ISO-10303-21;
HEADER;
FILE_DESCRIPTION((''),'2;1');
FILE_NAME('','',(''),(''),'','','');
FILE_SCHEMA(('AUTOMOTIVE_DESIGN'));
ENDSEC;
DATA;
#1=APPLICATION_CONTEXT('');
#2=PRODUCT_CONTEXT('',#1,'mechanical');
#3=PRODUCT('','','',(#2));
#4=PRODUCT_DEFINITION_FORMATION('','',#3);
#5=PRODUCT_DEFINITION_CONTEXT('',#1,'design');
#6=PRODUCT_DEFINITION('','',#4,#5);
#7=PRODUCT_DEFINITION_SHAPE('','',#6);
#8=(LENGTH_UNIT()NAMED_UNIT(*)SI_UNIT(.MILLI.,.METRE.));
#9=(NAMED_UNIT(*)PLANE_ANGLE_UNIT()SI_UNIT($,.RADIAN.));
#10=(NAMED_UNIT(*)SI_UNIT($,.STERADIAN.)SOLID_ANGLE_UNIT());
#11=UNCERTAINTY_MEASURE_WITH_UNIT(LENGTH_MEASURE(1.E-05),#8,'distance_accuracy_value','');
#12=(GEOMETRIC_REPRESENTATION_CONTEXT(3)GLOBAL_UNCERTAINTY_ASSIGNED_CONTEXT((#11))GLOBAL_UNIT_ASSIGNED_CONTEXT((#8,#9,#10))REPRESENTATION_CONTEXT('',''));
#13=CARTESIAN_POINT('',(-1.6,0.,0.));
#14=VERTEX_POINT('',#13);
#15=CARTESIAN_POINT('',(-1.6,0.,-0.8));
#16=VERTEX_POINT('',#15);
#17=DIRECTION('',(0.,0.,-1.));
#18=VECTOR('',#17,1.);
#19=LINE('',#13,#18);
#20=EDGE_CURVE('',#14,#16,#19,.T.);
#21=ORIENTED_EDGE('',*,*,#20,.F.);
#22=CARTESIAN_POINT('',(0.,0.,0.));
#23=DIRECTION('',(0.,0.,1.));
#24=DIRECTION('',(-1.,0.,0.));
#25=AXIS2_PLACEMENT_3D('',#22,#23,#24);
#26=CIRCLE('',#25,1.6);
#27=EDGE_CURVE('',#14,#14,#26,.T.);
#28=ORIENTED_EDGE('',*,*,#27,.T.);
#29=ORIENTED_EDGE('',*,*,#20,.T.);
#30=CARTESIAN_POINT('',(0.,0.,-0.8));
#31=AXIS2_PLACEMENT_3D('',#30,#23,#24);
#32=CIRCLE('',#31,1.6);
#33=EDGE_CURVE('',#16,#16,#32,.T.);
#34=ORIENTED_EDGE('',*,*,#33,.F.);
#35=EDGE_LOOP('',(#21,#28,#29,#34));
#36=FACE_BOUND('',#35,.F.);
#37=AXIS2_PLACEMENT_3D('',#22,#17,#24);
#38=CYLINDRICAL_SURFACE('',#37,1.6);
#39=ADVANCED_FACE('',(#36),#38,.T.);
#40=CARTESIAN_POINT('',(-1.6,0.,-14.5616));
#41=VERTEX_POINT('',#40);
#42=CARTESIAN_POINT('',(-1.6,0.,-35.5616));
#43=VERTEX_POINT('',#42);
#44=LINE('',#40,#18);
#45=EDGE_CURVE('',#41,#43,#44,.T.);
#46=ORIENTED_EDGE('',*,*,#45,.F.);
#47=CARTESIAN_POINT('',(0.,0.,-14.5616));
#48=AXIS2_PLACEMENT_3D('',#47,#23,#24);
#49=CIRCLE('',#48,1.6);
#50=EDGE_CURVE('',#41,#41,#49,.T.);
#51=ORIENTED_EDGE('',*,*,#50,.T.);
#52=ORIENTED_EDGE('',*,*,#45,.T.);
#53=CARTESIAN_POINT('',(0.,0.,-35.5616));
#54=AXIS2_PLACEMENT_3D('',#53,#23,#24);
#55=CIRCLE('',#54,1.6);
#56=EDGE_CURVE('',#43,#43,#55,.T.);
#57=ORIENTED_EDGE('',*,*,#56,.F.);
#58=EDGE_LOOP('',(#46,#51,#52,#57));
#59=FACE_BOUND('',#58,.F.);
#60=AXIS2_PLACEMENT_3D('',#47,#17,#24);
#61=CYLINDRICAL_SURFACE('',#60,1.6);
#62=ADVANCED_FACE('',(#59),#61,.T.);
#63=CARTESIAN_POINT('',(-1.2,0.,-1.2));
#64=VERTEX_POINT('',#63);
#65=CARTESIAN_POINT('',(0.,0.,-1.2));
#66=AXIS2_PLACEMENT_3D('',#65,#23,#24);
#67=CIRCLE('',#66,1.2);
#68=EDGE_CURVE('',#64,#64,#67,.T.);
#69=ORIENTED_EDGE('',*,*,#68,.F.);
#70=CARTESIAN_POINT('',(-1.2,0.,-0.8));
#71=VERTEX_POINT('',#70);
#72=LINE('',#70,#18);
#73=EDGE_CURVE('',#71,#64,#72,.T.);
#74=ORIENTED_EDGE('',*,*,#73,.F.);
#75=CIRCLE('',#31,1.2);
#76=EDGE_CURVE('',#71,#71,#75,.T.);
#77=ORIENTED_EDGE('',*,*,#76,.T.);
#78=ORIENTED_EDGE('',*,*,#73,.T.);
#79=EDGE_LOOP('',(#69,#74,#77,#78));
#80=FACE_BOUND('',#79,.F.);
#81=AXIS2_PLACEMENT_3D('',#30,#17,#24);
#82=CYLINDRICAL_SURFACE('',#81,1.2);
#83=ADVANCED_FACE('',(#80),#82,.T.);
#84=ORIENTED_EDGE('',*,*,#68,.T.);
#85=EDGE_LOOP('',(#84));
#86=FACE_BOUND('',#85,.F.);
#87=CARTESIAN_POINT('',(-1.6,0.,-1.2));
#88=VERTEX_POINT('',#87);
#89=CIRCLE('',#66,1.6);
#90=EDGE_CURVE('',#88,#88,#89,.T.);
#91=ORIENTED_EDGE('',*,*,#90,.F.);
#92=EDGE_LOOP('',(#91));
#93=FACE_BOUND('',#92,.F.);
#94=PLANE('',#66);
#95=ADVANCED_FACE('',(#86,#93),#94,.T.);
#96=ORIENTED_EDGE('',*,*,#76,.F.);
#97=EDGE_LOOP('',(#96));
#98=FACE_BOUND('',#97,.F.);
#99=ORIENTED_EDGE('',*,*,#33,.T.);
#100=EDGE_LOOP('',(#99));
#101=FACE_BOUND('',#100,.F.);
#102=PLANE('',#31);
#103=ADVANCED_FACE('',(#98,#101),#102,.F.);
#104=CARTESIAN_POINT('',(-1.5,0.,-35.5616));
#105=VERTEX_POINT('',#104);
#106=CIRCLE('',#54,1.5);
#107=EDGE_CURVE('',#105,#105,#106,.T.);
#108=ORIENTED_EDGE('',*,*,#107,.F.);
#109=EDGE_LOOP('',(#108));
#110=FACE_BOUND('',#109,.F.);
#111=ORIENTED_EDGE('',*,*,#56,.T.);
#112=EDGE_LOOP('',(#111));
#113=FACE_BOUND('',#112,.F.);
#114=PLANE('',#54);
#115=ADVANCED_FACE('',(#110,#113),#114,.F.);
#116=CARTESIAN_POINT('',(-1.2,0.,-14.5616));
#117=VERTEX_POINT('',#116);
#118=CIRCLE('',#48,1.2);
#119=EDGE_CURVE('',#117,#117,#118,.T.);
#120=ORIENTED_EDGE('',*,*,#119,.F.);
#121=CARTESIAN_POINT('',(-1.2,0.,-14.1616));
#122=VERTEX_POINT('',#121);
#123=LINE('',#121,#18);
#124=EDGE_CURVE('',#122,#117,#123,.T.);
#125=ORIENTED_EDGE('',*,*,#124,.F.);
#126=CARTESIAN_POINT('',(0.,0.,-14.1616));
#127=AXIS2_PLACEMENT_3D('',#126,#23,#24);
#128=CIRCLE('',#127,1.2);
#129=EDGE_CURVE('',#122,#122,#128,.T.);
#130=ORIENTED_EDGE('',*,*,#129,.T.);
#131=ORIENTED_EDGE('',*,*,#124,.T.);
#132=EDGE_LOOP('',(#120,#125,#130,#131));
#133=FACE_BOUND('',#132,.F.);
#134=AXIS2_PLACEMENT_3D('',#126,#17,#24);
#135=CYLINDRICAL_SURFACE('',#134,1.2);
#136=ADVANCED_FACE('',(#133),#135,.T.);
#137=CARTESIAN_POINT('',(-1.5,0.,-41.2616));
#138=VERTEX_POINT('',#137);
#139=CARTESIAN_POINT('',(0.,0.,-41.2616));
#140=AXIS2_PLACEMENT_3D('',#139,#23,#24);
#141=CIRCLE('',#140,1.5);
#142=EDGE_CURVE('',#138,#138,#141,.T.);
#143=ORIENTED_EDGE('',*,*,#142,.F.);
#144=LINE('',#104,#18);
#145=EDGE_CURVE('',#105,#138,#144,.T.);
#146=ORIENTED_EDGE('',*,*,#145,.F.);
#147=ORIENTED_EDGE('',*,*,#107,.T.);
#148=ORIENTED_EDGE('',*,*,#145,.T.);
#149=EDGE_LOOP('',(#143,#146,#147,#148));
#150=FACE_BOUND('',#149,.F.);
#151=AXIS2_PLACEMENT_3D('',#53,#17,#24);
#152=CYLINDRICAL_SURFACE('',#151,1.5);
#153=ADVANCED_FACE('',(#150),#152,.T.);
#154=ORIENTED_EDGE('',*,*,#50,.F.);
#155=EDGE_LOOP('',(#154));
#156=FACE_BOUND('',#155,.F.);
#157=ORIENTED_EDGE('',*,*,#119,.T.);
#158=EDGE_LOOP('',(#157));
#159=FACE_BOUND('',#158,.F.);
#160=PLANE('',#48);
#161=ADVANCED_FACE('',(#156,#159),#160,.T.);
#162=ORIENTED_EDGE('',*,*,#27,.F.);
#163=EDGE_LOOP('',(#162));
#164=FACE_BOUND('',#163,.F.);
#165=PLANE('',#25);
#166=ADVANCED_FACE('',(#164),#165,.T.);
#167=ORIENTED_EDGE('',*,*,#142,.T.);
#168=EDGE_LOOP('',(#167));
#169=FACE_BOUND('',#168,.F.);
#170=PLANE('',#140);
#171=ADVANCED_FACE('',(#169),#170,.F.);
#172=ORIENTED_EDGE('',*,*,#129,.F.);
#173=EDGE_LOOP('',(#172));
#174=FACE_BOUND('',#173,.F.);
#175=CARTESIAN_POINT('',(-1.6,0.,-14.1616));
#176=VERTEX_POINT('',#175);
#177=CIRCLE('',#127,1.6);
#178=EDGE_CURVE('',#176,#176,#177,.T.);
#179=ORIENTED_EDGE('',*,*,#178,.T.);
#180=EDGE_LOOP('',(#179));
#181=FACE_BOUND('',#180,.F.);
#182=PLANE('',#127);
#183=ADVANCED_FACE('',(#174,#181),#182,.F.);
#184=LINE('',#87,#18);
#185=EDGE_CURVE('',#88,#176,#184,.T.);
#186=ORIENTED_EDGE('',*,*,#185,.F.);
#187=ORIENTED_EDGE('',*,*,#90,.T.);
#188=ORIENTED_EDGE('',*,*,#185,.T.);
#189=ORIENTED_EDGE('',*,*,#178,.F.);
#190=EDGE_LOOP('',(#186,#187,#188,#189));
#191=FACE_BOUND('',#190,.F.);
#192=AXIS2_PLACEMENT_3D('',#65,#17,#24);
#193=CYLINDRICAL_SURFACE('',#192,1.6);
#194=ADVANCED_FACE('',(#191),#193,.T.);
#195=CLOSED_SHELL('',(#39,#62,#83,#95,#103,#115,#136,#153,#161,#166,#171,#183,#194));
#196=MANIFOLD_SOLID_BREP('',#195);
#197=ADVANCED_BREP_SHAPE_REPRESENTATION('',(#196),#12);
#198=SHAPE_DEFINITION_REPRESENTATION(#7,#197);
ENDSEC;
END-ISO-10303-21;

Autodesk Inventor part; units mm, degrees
ref_plane "YZ Plane" through (0, 0, 0) normal (1, 0, 0) x (0, 1, 0)
ref_plane "XZ Plane" through (0, 0, 0) normal (0, 1, 0) x (-1, 0, 0)
ref_plane "XY Plane" through (0, 0, 0) normal (0, 0, 1) x (1, 0, 0)
sketch "Sketch1" plane through (0, 0, 0) normal (0, 1, 0) x (-1, 0, 0)
  line L0 (0, 0) -> (1.6, 0)
  line L1 (1.6, -41.2616) -> (0, -41.2616)
  line L2 (0, -41.2616) -> (0, 0)
  line L3 (1.6, -0.8) -> (1.2, -0.8)
  line L4 (1.2, -0.8) -> (1.2, -1.2)
  line L5 (1.2, -1.2) -> (1.6, -1.2)
  line L6 (1.6, -14.1616) -> (1.2, -14.1616)
  line L7 (1.2, -14.1616) -> (1.2, -14.5616)
  line L8 (1.2, -14.5616) -> (1.6, -14.5616)
  line L9 (1.6, -35.5616) -> (1.5, -35.5616)
  line L10 (1.5, -35.5616) -> (1.5, -41.2616)
  line L11 (1.5, -41.2616) -> (1.6, -41.2616)
  line L12 (1.6, -14.5616) -> (1.6, -35.5616)
  line L13 (1.6, 0) -> (1.6, -0.8)
  line L14 (1.6, -1.2) -> (1.6, -14.1616)
  dimension "d0" = 5.7
  dimension "d1" = 21.4
  dimension "d2" = 0.8
  dimension "d3" = 0.4
  dimension "d4" = 1.2
  dimension "d6" = 0.4
  dimension "d7" = 1.5
revolve "Revolution1" add sketch "Sketch1" angle 360 about axis through (0, 0, -41.2616) along (0, 0, 1)
thread "Thread1" size "M3x0.5" class "6g" standard "ANSI Metric M Profile" full length
properties part number "500-104" material "Steel"
